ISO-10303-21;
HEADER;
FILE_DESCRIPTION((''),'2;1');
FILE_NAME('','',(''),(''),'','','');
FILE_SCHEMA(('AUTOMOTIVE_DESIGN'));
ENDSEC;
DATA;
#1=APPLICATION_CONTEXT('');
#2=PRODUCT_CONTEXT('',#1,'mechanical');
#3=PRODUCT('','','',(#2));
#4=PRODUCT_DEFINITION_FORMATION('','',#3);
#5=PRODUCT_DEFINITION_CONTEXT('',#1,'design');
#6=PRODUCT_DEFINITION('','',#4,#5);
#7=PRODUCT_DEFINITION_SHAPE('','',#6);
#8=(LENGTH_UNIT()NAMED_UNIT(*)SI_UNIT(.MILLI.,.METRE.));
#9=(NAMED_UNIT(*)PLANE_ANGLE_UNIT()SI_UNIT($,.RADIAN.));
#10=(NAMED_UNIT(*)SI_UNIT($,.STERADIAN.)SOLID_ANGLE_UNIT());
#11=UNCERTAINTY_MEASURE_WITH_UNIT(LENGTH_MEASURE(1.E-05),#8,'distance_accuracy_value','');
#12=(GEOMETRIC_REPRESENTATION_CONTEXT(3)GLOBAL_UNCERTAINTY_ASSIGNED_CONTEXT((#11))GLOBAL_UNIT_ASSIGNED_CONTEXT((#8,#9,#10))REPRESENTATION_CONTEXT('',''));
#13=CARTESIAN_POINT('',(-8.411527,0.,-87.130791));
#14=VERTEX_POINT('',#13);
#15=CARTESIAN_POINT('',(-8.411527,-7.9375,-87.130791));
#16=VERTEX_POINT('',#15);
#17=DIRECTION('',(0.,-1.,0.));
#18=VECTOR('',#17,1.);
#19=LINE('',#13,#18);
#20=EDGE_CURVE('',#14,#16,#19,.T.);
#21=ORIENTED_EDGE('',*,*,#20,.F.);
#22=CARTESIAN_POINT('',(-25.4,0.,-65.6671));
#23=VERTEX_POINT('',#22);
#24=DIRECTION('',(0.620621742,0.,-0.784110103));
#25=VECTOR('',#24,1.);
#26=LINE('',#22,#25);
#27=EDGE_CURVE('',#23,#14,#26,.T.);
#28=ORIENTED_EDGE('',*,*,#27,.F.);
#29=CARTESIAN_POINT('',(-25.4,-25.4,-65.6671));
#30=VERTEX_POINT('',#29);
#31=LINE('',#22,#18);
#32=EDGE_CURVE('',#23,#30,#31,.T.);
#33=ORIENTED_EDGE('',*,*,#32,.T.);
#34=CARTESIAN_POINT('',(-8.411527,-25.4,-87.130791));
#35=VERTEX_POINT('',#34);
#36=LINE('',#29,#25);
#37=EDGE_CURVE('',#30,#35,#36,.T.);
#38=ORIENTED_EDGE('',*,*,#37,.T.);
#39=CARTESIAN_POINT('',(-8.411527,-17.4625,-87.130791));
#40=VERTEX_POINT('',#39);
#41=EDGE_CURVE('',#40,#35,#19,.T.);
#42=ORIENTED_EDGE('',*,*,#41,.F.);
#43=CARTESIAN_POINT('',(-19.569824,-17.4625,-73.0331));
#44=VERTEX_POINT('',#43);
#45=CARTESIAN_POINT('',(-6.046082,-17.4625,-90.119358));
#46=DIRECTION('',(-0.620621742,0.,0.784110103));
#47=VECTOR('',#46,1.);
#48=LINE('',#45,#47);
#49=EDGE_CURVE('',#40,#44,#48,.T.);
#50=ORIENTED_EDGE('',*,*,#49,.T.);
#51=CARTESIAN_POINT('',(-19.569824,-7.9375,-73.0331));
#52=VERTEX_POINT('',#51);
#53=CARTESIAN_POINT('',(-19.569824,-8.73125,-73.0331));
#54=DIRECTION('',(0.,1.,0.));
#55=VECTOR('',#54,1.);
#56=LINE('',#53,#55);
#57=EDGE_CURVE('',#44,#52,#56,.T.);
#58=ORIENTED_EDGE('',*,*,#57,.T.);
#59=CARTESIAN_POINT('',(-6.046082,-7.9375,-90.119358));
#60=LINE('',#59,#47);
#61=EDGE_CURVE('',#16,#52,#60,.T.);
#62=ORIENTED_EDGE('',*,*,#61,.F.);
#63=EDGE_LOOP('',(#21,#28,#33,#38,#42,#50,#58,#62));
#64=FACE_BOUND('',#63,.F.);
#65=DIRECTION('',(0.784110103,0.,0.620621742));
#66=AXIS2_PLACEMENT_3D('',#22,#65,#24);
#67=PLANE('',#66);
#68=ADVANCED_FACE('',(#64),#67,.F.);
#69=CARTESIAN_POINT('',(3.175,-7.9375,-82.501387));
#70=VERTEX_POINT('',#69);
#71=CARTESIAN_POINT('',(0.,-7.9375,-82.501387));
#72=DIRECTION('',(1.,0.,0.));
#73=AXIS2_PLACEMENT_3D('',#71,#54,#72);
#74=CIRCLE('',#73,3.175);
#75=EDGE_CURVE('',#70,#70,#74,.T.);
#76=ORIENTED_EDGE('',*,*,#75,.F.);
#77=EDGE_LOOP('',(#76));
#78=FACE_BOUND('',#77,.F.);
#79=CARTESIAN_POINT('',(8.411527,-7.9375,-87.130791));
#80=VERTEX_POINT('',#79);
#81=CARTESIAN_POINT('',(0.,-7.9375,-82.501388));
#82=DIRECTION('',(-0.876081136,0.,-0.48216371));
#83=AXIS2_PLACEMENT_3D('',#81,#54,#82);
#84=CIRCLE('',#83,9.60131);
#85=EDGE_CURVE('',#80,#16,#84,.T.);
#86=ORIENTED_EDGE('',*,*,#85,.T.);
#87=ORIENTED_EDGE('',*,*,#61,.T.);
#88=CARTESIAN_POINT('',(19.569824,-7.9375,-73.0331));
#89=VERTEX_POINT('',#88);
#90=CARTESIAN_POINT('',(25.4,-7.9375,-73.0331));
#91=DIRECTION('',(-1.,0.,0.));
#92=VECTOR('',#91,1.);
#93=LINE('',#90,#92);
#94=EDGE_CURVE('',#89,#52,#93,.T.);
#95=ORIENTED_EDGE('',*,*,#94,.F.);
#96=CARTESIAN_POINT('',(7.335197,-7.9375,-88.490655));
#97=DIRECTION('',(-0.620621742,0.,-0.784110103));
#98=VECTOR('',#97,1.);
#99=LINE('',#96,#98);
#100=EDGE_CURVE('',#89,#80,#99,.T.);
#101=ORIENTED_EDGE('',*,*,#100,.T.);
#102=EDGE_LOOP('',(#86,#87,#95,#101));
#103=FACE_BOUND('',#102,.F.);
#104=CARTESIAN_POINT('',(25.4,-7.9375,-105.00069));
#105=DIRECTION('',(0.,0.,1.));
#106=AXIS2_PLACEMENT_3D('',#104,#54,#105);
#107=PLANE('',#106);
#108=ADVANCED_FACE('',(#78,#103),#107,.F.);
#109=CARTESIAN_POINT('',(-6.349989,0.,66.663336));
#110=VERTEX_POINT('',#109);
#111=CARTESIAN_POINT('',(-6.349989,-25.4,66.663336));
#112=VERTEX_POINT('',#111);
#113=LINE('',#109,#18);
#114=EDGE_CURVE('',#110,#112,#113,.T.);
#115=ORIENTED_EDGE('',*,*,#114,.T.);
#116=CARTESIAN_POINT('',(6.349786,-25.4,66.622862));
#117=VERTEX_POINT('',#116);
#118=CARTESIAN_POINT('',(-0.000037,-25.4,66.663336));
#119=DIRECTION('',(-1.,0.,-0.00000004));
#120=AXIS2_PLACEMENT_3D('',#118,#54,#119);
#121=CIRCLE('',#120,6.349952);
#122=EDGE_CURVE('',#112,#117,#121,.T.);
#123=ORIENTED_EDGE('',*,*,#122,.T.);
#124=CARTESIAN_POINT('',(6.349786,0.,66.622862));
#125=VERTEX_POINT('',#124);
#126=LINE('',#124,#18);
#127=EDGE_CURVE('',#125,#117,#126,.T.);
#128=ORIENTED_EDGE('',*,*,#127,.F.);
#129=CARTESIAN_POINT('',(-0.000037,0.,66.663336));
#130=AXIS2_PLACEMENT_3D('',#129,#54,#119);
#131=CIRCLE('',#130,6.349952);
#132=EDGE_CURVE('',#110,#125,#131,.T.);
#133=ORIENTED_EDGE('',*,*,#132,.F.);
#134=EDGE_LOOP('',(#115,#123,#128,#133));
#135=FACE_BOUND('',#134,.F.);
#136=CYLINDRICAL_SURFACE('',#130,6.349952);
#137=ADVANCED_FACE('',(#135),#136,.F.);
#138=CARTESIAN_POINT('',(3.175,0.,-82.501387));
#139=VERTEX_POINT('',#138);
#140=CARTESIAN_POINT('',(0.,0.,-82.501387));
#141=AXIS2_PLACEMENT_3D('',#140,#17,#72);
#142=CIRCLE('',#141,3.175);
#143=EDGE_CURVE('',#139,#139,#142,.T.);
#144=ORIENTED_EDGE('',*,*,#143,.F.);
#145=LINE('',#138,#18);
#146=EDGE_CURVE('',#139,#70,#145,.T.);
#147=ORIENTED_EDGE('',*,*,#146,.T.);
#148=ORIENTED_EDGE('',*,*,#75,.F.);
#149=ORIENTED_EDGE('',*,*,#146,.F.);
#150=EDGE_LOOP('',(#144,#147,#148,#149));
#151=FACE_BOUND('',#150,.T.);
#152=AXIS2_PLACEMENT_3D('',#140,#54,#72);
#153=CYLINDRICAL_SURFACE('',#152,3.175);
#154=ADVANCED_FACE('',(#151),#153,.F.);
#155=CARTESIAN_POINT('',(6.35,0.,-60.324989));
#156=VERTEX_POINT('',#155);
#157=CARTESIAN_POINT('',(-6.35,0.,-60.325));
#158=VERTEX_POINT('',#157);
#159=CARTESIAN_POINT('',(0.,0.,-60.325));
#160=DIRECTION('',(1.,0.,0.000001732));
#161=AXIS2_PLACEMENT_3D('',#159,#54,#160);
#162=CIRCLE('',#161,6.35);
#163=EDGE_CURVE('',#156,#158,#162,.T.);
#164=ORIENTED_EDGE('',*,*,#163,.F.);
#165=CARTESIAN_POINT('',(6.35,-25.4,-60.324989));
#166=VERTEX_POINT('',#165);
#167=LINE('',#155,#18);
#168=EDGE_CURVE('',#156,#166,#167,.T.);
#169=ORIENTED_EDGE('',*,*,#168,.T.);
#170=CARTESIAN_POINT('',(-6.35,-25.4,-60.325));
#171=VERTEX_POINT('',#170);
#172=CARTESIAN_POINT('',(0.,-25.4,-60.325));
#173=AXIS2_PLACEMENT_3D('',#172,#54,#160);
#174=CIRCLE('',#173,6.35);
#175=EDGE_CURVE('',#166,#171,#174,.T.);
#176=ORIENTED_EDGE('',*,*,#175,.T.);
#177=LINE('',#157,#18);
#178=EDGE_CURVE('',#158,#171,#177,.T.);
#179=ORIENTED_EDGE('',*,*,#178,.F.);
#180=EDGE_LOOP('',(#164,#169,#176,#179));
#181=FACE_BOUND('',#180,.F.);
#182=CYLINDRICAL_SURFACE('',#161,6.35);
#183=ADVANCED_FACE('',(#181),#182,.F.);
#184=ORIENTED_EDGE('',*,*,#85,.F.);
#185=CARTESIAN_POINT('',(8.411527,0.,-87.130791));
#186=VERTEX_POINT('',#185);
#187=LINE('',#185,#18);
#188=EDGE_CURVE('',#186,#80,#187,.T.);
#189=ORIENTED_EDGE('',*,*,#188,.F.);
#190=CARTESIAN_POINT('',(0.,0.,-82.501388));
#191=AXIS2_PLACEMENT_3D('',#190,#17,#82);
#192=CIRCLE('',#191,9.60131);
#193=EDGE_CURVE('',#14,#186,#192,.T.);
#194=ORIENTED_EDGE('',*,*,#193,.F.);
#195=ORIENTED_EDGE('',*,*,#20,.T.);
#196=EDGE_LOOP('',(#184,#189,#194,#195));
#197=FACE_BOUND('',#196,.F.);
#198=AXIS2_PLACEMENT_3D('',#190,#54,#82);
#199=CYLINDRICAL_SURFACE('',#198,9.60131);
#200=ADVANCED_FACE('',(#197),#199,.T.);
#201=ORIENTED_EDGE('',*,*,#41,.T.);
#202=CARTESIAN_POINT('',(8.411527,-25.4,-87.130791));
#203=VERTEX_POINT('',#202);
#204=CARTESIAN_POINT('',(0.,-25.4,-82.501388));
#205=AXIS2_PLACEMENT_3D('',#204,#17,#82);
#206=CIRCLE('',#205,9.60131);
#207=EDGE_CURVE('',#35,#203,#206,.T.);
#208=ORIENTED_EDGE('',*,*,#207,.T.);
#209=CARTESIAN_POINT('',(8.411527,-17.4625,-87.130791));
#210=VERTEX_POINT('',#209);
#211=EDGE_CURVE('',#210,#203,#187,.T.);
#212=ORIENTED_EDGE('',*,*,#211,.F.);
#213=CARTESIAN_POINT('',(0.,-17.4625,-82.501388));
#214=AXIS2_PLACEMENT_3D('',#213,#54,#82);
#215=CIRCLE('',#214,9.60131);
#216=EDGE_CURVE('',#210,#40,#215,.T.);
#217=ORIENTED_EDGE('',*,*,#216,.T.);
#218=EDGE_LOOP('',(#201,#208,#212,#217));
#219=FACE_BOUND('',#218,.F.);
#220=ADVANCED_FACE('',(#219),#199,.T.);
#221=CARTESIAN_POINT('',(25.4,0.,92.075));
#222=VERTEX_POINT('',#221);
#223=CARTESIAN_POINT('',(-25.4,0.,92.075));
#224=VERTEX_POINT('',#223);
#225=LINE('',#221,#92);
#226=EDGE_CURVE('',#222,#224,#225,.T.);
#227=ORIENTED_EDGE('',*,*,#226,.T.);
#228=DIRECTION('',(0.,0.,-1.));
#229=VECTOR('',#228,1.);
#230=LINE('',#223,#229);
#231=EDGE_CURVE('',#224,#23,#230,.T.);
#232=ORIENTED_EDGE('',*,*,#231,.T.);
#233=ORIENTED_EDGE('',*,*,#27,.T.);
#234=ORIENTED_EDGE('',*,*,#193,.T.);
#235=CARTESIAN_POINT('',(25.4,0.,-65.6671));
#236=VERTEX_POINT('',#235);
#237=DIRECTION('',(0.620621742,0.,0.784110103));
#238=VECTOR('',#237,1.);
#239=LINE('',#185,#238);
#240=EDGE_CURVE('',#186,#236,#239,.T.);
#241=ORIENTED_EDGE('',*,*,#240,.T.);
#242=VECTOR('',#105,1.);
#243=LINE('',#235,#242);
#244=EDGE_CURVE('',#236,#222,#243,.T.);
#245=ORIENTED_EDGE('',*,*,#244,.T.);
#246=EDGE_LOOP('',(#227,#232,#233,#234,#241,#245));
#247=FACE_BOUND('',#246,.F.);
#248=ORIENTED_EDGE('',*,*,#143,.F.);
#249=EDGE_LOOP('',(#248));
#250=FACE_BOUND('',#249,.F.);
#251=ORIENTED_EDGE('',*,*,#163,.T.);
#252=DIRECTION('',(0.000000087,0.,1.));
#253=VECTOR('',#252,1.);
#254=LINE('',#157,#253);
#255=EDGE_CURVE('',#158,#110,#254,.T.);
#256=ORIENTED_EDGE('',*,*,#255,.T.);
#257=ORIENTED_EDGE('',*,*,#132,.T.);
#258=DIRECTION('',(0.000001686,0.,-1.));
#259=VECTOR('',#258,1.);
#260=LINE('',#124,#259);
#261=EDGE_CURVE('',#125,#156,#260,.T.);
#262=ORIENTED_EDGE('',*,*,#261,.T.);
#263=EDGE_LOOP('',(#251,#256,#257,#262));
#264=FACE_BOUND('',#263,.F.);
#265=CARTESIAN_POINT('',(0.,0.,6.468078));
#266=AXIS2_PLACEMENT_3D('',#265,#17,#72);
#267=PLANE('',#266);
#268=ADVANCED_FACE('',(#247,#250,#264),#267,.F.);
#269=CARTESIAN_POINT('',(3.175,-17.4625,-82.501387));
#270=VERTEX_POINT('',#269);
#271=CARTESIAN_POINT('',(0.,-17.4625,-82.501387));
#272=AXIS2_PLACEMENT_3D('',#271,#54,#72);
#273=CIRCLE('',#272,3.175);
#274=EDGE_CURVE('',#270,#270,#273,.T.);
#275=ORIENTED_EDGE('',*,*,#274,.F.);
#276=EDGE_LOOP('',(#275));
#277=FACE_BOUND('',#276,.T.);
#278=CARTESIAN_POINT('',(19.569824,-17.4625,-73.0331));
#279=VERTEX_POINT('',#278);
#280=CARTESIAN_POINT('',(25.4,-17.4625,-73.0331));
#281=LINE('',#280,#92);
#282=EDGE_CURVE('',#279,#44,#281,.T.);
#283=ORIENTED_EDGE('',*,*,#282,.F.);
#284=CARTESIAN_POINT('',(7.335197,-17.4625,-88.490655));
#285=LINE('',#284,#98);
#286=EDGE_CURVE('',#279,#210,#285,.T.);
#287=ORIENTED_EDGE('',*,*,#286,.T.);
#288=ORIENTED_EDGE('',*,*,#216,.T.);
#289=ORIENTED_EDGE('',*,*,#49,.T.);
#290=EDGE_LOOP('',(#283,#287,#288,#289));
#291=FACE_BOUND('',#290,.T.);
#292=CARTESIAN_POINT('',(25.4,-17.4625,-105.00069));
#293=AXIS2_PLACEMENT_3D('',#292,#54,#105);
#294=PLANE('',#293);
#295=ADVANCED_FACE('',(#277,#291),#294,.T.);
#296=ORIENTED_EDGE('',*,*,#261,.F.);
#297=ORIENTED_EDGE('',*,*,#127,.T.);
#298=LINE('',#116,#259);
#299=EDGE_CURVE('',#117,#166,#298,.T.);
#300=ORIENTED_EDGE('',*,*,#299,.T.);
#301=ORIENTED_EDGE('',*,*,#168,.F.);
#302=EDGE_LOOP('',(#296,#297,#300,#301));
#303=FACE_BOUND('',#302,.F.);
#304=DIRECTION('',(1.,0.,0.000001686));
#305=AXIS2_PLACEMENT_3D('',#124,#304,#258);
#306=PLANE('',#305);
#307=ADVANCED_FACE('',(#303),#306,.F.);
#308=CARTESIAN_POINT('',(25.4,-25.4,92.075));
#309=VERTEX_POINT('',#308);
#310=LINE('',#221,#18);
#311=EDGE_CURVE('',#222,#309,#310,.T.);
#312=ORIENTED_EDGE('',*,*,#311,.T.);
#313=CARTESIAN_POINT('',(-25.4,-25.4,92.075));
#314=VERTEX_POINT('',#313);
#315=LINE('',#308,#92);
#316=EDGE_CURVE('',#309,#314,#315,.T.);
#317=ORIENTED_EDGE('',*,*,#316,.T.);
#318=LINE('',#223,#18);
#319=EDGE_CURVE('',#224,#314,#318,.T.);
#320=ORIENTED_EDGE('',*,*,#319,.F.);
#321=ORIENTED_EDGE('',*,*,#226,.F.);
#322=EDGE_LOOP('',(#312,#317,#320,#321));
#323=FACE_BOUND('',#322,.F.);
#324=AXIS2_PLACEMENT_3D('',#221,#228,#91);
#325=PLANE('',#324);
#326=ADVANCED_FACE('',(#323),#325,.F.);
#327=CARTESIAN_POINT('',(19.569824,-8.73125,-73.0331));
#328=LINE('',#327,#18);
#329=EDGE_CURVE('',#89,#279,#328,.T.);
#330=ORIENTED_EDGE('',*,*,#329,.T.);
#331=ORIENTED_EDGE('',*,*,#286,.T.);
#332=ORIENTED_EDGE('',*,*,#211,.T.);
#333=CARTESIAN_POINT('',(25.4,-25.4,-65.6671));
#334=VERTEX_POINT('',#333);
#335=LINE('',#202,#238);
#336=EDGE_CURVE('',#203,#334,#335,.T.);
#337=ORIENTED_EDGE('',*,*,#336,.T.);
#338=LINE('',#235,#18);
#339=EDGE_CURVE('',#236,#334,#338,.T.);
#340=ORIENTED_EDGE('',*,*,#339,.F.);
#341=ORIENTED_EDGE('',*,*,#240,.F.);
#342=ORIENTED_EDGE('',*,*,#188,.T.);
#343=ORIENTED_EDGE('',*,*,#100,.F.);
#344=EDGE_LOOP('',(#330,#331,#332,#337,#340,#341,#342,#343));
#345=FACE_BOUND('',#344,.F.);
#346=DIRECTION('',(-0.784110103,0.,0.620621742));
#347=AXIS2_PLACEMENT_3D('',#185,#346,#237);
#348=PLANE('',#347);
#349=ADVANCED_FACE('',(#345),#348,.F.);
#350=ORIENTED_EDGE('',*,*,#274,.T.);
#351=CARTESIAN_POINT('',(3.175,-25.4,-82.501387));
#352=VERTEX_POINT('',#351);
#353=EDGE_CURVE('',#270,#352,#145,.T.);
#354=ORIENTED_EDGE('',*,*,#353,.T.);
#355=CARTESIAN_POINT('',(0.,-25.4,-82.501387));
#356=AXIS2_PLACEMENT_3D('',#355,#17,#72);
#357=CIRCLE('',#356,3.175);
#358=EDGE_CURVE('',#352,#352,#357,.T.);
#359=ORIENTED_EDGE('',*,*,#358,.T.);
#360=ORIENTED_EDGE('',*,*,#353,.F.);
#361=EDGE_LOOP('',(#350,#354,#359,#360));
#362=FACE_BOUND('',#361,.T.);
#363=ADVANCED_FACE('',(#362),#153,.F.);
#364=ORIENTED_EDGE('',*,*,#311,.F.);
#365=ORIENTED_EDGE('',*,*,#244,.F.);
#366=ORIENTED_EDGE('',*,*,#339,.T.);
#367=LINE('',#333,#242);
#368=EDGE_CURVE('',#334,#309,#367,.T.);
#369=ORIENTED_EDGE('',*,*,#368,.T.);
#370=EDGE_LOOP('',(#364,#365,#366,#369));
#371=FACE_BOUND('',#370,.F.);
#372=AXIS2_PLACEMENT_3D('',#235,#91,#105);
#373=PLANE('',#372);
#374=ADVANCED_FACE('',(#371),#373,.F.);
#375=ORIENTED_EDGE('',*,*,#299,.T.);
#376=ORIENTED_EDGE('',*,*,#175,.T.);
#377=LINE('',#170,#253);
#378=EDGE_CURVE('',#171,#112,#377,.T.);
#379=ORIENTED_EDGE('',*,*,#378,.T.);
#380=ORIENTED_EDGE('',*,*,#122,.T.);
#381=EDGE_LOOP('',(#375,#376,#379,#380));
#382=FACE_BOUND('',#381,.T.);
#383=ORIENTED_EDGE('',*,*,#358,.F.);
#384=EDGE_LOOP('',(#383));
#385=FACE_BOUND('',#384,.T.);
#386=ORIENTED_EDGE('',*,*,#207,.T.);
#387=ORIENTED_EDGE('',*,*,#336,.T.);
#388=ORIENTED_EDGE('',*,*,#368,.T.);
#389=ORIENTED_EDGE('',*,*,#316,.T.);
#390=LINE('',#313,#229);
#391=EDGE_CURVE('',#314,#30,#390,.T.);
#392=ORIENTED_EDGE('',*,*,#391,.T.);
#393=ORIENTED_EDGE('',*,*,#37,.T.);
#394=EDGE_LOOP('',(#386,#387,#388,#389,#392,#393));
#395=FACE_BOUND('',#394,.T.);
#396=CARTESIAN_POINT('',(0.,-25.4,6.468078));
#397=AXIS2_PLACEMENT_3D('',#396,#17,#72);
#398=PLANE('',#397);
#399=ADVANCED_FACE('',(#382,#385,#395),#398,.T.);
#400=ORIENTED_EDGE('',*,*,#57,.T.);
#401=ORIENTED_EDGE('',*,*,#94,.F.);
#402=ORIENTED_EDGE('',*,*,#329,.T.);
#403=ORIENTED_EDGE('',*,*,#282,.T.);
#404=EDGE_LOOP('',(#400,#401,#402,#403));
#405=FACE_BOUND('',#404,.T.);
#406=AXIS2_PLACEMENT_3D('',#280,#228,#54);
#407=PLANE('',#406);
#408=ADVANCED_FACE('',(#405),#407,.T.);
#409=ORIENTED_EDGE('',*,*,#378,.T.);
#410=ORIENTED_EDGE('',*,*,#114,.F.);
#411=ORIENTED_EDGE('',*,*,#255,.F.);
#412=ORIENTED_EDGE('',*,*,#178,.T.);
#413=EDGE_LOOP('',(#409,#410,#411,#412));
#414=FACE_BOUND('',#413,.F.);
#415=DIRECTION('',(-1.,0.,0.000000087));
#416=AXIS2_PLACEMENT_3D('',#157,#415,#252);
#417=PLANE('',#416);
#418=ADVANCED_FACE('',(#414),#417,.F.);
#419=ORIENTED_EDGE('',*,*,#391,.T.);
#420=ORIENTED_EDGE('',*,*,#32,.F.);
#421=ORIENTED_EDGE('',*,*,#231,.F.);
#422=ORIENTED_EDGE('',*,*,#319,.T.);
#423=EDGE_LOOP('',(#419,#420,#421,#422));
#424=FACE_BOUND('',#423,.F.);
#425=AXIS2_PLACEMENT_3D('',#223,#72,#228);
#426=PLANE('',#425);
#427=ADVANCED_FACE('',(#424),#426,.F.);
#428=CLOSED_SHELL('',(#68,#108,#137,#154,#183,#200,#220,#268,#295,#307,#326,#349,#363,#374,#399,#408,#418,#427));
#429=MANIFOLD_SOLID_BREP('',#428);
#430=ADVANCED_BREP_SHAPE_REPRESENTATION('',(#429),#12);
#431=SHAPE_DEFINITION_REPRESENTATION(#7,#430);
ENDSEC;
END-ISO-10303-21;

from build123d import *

# Parameters (mm, degrees)
F0_R     = 3.175
F1_DEPTH = 25.4
F2_W     = 9.525
F2_H     = 31.96759
F3_DEPTH = 50.801


with BuildPart() as f1:
    # F0 (on Front) → F1 (new body)
    with BuildSketch(Plane.XZ):
        with BuildLine():
            Line((25.4, -65.6671), (25.4, 92.075))
            Line((25.4, 92.075), (-25.4, 92.075))
            Line((-25.4, 92.075), (-25.4, -65.6671))
            Line((-25.4, -65.6671), (-8.411527, -87.130791))
            ThreePointArc((-8.411527, -87.130791), (0, -92.102698), (8.411527, -87.130791))
            Line((8.411527, -87.130791), (25.4, -65.6671))
        make_face()
        with Locations((0, -82.501387)):
            Circle(F0_R, mode=Mode.SUBTRACT)
        with BuildLine():
            Line((-6.35, -60.325), (-6.349989, 66.663336))
            ThreePointArc((-6.349989, 66.663336), (0.0202, 73.013256), (6.349786, 66.622862))
            Line((6.349786, 66.622862), (6.35, -60.324989))
            ThreePointArc((6.35, -60.324989), (5e-06, -66.675), (-6.35, -60.325))
        make_face(mode=Mode.SUBTRACT)
    extrude(amount=F1_DEPTH)

    # F2 (on face) → F3 (cut, through all)
    with BuildSketch(Plane.YZ.offset(25.4)):
        with Locations((-12.7, -89.016895)):
            Rectangle(F2_W, F2_H)
    extrude(amount=-F3_DEPTH, mode=Mode.SUBTRACT)


solid = f1.part
